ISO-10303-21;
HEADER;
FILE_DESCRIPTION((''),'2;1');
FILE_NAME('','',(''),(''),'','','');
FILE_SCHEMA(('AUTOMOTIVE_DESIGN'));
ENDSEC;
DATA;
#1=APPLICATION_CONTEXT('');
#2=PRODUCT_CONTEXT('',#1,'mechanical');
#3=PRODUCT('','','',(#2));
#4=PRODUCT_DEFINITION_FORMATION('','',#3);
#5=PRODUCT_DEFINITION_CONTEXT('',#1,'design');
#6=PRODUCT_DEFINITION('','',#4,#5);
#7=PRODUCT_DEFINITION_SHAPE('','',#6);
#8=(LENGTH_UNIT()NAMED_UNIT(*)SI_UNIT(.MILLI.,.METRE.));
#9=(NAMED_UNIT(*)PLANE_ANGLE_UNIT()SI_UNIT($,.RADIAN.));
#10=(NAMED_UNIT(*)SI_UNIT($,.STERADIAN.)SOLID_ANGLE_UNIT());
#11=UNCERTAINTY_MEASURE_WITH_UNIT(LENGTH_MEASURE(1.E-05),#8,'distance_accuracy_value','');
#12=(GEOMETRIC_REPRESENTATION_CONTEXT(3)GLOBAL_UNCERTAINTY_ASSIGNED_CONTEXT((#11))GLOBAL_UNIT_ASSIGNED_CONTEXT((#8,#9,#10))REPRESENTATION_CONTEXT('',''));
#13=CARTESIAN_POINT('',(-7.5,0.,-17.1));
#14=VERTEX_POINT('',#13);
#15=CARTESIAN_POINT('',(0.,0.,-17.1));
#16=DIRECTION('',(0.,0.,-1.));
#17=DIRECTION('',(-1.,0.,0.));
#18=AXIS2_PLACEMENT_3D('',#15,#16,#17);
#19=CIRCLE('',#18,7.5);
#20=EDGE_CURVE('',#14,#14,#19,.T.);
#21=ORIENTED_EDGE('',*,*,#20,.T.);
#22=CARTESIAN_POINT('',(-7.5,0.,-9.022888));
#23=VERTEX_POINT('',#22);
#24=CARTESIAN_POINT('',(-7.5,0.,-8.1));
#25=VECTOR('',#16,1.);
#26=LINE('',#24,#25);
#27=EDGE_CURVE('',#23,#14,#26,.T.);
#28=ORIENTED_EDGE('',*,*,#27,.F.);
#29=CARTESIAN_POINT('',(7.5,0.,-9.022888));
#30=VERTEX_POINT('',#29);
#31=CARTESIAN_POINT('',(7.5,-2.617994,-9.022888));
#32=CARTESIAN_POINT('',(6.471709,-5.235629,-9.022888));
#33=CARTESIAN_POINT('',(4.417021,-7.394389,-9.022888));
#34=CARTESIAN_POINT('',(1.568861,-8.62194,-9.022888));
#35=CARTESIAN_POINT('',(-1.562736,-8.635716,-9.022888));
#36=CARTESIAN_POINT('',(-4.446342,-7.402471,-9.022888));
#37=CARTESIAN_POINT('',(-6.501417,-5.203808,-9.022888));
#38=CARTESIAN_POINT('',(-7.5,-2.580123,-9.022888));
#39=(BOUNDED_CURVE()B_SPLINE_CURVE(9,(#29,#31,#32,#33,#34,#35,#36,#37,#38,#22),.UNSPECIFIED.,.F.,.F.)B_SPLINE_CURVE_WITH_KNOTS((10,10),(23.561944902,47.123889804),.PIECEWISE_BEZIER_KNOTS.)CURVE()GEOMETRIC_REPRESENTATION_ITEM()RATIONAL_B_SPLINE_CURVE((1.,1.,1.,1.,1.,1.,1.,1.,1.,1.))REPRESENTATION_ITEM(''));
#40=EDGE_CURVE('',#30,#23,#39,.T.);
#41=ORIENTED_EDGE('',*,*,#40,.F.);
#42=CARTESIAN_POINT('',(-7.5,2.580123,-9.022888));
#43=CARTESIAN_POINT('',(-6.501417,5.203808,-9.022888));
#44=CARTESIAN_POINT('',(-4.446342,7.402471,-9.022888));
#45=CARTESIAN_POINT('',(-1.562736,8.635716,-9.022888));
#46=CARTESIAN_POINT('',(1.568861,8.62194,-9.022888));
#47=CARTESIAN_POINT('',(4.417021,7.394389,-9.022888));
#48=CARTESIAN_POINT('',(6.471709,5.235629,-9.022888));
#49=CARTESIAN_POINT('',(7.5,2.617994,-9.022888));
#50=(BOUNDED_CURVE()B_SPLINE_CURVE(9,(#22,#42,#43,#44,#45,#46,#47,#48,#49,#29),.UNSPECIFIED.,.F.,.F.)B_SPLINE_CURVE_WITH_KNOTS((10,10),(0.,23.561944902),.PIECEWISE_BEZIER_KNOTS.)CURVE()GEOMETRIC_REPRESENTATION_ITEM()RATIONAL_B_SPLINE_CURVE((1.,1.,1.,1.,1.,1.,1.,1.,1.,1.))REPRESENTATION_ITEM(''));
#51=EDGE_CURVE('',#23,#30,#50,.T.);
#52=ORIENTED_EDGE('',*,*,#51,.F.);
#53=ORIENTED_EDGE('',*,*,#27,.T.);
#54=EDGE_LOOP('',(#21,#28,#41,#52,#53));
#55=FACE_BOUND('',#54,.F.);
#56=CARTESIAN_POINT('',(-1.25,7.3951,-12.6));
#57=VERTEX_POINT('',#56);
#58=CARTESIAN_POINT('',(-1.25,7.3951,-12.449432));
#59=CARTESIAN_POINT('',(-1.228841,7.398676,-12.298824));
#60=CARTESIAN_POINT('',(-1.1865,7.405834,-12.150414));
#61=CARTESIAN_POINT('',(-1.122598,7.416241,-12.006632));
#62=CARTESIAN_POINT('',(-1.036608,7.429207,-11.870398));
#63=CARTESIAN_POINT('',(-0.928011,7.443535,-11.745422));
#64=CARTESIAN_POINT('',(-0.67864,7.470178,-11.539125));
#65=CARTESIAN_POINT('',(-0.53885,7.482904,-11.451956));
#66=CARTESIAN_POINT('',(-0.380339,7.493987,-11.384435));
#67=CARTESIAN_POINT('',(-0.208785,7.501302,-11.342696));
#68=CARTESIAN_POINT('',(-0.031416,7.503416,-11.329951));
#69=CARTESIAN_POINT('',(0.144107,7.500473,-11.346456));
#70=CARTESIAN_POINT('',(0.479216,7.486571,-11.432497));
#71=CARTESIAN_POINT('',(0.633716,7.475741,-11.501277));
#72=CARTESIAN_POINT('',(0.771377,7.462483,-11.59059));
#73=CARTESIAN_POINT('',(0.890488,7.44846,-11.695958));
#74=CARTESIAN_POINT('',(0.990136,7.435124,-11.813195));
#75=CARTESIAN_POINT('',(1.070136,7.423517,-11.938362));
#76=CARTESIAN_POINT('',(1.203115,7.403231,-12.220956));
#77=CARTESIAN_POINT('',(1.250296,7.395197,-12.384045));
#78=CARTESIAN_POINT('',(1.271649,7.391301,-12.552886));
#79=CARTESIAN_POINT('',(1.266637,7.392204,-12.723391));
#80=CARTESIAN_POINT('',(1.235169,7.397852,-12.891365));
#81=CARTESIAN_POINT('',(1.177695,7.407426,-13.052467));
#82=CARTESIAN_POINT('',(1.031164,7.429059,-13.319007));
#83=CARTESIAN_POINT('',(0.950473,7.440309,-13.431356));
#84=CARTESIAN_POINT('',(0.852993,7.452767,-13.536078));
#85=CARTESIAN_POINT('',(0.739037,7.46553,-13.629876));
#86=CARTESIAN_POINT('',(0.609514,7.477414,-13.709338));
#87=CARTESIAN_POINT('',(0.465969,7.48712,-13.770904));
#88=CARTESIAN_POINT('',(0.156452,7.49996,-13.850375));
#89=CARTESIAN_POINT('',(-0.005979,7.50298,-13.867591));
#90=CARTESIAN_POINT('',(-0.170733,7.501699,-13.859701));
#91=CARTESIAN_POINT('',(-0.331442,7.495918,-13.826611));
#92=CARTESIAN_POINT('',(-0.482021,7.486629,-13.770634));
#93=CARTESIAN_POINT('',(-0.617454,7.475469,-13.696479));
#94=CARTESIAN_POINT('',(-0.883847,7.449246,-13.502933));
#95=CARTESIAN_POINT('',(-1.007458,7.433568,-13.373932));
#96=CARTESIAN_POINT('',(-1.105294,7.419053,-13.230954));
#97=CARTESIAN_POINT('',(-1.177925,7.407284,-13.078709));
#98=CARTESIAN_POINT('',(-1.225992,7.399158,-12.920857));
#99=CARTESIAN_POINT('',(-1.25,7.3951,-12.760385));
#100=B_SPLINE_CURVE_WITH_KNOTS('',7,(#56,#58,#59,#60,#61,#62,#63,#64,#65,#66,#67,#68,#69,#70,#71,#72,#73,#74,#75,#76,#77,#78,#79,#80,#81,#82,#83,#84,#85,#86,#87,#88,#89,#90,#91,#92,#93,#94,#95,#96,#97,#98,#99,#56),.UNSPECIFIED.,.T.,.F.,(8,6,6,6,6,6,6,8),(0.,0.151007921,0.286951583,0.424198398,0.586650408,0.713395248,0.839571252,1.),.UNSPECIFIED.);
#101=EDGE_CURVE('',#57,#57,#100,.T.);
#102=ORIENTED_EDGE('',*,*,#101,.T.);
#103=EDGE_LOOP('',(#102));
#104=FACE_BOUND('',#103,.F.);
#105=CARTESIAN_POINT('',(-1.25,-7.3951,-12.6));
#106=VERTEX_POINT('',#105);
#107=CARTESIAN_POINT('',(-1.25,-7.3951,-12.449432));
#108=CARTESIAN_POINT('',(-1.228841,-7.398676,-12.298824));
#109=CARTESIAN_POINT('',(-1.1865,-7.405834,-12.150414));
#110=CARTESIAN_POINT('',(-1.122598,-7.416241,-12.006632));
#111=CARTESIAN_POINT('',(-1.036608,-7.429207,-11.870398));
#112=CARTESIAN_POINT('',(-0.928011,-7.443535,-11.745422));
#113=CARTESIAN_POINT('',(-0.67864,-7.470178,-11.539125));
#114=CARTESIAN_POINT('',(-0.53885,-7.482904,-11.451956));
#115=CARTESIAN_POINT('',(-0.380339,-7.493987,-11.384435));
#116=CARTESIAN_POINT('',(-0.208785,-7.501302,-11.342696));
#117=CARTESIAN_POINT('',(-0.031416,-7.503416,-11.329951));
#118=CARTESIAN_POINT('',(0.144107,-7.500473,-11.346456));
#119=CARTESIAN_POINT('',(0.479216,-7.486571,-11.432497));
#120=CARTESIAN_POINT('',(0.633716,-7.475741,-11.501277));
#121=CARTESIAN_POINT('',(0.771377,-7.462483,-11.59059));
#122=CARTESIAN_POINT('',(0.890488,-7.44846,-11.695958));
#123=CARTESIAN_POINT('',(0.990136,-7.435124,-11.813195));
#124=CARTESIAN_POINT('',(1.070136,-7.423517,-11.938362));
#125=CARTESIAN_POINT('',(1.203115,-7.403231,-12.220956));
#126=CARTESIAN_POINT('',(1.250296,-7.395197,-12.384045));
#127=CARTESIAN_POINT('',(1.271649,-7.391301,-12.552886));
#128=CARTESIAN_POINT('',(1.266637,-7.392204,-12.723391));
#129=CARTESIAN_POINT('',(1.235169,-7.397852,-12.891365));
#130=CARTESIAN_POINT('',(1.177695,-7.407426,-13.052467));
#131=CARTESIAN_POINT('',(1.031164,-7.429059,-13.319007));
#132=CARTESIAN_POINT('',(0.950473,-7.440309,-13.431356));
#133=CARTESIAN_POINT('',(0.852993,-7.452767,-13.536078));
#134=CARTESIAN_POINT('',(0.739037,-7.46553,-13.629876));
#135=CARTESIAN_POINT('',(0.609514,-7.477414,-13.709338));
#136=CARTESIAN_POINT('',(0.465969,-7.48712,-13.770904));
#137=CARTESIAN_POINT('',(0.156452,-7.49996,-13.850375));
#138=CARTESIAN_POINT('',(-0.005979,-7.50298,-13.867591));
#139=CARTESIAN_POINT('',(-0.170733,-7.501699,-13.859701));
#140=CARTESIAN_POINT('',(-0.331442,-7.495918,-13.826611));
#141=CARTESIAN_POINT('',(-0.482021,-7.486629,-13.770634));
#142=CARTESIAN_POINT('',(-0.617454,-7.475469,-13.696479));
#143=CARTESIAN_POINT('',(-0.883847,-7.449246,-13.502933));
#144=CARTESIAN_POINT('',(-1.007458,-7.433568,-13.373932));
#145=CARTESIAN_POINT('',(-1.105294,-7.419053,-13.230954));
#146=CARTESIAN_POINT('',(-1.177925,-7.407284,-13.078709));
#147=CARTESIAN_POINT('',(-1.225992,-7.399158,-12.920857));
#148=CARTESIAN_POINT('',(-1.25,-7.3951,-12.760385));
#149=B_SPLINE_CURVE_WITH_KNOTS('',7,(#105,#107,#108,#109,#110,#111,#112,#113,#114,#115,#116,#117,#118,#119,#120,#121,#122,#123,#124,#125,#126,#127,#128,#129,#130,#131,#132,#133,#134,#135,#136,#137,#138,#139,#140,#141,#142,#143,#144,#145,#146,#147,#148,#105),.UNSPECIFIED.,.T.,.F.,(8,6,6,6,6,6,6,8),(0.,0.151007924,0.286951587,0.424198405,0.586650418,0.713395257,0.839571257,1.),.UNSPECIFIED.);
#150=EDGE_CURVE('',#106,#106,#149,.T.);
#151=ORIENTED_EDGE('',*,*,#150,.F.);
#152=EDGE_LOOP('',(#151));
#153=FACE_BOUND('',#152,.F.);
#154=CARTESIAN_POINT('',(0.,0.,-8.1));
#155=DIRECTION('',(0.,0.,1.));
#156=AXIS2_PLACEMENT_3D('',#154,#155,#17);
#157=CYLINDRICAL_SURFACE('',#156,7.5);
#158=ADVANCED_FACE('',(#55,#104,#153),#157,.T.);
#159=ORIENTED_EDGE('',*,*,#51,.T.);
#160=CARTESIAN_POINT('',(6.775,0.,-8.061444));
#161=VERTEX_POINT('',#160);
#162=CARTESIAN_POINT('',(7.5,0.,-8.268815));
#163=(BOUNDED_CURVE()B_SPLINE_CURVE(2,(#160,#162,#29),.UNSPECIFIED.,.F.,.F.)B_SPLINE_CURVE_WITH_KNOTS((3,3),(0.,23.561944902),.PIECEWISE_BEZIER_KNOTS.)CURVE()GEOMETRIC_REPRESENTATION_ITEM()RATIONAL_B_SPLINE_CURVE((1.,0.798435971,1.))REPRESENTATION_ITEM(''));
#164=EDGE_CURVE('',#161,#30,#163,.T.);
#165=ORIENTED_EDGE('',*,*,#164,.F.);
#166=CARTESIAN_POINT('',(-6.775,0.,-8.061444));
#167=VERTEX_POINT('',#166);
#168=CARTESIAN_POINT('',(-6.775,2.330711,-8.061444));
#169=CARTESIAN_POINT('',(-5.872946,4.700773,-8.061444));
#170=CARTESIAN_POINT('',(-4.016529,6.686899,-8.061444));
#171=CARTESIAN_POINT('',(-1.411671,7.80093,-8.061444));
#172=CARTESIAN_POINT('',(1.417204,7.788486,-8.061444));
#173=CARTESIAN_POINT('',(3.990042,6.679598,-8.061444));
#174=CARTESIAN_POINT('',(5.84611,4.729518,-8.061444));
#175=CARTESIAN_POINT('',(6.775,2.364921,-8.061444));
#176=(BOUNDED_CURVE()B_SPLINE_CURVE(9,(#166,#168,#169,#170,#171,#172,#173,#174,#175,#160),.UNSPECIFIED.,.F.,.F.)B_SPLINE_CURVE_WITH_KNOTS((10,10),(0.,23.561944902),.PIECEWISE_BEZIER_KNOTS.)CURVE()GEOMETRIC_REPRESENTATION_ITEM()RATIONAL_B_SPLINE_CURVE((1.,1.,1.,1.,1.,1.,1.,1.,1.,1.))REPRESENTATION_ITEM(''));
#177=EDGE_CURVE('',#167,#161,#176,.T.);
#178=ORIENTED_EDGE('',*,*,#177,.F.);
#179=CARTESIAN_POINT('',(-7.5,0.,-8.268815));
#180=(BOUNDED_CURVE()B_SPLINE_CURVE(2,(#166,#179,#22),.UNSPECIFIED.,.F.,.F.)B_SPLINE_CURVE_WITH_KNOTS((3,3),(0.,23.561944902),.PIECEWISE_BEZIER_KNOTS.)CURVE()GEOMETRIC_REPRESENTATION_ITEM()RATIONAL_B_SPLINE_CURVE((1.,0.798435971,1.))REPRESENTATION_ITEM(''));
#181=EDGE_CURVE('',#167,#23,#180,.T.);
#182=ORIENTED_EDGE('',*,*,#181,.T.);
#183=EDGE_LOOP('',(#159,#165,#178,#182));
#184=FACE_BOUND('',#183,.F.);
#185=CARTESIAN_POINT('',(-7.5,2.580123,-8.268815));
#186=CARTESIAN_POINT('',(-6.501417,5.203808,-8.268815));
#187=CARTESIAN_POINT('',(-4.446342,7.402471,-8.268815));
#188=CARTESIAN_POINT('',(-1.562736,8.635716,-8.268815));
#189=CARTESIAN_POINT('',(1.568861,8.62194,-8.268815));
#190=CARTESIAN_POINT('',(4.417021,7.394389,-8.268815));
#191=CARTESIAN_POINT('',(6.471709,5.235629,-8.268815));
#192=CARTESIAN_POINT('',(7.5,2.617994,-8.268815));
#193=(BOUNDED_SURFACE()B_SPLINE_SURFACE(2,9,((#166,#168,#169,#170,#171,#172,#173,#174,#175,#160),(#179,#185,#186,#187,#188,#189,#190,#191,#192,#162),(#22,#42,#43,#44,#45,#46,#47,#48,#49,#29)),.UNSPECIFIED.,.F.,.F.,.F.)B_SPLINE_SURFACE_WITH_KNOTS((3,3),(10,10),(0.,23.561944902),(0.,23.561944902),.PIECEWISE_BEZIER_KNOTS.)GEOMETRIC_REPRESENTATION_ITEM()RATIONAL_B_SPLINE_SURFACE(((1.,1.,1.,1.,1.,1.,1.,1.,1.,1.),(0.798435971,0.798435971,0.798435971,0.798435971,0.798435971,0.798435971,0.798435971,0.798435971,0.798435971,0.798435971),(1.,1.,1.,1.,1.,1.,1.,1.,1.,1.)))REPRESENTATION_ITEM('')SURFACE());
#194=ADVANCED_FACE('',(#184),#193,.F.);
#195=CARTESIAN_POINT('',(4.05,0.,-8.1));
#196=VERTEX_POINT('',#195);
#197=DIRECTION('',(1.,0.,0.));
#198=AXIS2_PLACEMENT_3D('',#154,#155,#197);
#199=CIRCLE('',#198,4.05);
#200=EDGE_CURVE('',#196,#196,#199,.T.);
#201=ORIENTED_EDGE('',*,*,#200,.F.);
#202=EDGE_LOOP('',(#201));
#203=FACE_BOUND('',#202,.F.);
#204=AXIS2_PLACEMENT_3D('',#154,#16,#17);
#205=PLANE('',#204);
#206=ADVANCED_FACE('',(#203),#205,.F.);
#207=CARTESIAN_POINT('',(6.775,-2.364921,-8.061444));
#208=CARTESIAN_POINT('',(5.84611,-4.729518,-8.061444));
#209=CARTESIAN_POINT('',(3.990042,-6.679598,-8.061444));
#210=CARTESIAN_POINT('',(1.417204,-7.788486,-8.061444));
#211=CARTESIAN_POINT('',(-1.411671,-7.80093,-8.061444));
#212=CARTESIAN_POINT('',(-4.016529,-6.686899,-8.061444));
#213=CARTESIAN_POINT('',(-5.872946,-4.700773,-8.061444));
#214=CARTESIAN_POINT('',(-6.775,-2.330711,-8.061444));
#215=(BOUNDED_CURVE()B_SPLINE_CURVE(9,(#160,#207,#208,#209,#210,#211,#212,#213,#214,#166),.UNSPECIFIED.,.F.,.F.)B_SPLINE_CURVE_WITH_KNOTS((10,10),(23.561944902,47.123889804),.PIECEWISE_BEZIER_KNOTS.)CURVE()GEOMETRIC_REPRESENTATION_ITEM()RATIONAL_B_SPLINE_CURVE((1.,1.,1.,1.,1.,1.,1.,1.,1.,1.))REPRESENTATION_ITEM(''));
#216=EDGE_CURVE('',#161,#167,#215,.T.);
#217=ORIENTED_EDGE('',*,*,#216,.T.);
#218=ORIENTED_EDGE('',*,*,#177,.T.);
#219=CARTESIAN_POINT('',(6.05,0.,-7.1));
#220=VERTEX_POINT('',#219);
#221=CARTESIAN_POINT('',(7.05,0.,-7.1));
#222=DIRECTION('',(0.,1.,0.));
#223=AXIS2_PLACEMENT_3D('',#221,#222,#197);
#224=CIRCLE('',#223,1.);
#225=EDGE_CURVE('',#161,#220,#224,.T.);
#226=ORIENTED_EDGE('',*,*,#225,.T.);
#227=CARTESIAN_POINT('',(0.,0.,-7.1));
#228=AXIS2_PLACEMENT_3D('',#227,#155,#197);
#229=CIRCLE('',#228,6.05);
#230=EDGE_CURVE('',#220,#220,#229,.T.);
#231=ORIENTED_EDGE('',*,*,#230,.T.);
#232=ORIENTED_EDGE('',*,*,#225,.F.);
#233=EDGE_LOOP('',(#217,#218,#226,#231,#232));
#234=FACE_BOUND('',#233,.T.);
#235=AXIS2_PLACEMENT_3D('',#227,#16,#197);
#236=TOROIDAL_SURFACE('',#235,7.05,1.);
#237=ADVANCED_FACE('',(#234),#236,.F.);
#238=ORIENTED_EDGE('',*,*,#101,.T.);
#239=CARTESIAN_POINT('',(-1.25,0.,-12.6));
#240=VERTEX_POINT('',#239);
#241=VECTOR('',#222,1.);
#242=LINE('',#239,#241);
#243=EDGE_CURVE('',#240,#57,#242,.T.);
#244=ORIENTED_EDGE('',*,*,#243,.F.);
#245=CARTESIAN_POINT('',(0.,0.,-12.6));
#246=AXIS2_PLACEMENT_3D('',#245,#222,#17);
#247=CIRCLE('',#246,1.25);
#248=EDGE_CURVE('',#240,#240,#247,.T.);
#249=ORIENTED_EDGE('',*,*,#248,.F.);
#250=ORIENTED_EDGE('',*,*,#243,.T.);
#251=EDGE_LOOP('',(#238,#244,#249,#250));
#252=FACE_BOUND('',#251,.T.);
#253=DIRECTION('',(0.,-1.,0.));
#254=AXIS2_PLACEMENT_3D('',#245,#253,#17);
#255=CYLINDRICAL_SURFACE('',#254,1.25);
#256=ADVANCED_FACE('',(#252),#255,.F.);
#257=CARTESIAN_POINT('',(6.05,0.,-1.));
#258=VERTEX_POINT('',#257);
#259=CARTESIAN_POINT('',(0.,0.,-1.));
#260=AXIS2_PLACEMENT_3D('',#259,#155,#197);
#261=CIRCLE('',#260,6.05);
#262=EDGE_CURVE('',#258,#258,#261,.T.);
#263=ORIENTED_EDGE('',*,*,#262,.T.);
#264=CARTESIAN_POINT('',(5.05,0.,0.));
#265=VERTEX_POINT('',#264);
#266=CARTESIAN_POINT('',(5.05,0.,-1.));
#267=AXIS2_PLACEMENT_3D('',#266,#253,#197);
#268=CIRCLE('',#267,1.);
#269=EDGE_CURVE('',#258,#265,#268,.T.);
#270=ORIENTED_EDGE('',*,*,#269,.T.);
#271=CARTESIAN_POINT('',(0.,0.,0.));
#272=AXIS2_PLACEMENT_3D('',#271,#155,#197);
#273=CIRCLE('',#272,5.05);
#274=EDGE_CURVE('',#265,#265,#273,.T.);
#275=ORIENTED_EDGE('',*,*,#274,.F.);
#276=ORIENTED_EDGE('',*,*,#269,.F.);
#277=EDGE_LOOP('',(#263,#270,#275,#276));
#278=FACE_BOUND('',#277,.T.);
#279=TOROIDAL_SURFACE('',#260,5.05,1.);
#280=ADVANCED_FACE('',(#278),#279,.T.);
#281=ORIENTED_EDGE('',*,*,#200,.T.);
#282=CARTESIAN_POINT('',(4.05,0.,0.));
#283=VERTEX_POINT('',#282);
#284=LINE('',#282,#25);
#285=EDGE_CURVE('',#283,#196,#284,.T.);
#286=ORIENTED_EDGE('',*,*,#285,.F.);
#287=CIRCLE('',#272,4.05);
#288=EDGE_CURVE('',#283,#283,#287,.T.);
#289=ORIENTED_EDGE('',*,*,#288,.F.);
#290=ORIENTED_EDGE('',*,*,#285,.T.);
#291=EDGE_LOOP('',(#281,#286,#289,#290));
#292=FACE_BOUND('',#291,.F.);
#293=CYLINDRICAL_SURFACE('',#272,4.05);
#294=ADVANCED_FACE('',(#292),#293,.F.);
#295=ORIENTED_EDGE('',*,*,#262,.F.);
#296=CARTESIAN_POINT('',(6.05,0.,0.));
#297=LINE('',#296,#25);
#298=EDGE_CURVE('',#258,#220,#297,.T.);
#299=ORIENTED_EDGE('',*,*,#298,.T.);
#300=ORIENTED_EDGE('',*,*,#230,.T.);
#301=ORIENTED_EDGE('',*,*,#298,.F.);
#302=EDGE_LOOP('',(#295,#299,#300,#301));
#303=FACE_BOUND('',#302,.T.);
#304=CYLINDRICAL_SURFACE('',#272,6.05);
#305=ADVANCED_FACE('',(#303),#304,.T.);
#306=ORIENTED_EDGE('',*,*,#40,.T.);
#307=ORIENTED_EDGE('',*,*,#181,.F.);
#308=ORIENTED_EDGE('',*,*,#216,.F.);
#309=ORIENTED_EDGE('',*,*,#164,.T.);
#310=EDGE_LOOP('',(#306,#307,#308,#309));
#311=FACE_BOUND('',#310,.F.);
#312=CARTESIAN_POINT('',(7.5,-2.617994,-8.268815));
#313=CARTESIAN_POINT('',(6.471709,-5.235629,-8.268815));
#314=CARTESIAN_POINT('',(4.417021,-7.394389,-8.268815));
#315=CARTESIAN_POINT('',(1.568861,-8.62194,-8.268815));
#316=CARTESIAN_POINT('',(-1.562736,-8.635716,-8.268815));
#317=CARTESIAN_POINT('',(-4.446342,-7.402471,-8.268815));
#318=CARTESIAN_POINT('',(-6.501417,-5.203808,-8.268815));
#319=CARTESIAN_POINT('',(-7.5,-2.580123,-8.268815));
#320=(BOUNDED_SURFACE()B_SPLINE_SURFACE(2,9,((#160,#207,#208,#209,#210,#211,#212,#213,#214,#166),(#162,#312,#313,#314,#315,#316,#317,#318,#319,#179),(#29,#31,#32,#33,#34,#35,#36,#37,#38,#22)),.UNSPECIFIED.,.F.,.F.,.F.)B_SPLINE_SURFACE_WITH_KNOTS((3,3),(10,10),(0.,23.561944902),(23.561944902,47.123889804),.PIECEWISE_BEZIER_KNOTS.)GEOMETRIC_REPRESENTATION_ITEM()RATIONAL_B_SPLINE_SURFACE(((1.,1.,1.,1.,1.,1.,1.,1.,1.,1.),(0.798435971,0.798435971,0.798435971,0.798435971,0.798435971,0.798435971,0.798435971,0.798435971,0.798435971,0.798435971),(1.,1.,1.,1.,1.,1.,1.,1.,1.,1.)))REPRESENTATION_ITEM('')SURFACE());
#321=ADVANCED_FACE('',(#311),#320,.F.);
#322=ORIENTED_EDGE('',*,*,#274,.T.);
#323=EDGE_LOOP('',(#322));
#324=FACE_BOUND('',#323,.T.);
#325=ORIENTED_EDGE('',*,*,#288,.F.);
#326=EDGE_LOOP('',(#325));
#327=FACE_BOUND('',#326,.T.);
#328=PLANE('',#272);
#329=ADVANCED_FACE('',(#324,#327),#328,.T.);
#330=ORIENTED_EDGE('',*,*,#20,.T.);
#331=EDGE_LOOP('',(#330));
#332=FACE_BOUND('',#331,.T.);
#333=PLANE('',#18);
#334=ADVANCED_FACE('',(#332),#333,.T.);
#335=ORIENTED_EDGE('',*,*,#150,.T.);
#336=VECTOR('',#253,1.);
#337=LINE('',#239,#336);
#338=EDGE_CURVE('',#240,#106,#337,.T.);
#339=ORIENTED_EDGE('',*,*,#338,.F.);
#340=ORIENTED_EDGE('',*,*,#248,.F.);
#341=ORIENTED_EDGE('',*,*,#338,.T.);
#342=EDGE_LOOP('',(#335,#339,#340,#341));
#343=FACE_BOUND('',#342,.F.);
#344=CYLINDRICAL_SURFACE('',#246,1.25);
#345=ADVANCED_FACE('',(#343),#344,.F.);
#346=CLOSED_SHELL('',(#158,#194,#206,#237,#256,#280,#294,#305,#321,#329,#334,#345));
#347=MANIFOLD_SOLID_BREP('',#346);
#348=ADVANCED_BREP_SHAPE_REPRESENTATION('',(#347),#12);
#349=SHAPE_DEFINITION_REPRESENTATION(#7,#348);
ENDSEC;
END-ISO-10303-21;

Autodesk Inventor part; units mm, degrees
ref_plane "YZ Plane" through (0, 0, 0) normal (1, 0, 0) x (0, 1, 0)
ref_plane "XZ Plane" through (0, 0, 0) normal (0, 1, 0) x (-1, 0, 0)
ref_plane "XY Plane" through (0, 0, 0) normal (0, 0, 1) x (1, 0, 0)
sketch "スケッチ1" plane through (0, 0, 0) normal (0, 0, 1) x (1, 0, 0)
  circle A0 centre (0, 0) radius 4.05
  circle A1 centre (0, 0) radius 6.05
  dimension "d0" = 8.1
  dimension "d1" = 2
extrude "押し出し1" add sketch "スケッチ1" against normal blind 8.1
sketch "スケッチ2" plane through (0, 0, -8.1) normal (0, 0, -1) x (-1, 0, 0)
  circle A0 centre (0, 0) radius 7.5
  circle A1 centre (0, 0) radius 7.5
  dimension "d10" = 15
extrude "押し出し2" add sketch "スケッチ2" along normal blind 9
sketch "スケッチ3" plane through (0, 0, 0) normal (0, 1, 0) x (-1, 0, 0)
  circle A0 centre (0, -12.6) radius 1.25
  line L0 (4.05, -8.1) -> (-4.05, -8.1) projected
  point P0 (0, 0)
  dimension "d6" = 2.5
  dimension "d7" = 4.5
extrude "押し出し3" cut sketch "スケッチ3" along normal through all both and the other way through all
fillet "フィレット1" radius 1 2 edges at (-6.05, 0, -8.1) (7.5, 0, -8.1)
fillet "フィレット2" radius 1 1 edges at (-6.05, 0, 0)
properties part number "parent_ver."
